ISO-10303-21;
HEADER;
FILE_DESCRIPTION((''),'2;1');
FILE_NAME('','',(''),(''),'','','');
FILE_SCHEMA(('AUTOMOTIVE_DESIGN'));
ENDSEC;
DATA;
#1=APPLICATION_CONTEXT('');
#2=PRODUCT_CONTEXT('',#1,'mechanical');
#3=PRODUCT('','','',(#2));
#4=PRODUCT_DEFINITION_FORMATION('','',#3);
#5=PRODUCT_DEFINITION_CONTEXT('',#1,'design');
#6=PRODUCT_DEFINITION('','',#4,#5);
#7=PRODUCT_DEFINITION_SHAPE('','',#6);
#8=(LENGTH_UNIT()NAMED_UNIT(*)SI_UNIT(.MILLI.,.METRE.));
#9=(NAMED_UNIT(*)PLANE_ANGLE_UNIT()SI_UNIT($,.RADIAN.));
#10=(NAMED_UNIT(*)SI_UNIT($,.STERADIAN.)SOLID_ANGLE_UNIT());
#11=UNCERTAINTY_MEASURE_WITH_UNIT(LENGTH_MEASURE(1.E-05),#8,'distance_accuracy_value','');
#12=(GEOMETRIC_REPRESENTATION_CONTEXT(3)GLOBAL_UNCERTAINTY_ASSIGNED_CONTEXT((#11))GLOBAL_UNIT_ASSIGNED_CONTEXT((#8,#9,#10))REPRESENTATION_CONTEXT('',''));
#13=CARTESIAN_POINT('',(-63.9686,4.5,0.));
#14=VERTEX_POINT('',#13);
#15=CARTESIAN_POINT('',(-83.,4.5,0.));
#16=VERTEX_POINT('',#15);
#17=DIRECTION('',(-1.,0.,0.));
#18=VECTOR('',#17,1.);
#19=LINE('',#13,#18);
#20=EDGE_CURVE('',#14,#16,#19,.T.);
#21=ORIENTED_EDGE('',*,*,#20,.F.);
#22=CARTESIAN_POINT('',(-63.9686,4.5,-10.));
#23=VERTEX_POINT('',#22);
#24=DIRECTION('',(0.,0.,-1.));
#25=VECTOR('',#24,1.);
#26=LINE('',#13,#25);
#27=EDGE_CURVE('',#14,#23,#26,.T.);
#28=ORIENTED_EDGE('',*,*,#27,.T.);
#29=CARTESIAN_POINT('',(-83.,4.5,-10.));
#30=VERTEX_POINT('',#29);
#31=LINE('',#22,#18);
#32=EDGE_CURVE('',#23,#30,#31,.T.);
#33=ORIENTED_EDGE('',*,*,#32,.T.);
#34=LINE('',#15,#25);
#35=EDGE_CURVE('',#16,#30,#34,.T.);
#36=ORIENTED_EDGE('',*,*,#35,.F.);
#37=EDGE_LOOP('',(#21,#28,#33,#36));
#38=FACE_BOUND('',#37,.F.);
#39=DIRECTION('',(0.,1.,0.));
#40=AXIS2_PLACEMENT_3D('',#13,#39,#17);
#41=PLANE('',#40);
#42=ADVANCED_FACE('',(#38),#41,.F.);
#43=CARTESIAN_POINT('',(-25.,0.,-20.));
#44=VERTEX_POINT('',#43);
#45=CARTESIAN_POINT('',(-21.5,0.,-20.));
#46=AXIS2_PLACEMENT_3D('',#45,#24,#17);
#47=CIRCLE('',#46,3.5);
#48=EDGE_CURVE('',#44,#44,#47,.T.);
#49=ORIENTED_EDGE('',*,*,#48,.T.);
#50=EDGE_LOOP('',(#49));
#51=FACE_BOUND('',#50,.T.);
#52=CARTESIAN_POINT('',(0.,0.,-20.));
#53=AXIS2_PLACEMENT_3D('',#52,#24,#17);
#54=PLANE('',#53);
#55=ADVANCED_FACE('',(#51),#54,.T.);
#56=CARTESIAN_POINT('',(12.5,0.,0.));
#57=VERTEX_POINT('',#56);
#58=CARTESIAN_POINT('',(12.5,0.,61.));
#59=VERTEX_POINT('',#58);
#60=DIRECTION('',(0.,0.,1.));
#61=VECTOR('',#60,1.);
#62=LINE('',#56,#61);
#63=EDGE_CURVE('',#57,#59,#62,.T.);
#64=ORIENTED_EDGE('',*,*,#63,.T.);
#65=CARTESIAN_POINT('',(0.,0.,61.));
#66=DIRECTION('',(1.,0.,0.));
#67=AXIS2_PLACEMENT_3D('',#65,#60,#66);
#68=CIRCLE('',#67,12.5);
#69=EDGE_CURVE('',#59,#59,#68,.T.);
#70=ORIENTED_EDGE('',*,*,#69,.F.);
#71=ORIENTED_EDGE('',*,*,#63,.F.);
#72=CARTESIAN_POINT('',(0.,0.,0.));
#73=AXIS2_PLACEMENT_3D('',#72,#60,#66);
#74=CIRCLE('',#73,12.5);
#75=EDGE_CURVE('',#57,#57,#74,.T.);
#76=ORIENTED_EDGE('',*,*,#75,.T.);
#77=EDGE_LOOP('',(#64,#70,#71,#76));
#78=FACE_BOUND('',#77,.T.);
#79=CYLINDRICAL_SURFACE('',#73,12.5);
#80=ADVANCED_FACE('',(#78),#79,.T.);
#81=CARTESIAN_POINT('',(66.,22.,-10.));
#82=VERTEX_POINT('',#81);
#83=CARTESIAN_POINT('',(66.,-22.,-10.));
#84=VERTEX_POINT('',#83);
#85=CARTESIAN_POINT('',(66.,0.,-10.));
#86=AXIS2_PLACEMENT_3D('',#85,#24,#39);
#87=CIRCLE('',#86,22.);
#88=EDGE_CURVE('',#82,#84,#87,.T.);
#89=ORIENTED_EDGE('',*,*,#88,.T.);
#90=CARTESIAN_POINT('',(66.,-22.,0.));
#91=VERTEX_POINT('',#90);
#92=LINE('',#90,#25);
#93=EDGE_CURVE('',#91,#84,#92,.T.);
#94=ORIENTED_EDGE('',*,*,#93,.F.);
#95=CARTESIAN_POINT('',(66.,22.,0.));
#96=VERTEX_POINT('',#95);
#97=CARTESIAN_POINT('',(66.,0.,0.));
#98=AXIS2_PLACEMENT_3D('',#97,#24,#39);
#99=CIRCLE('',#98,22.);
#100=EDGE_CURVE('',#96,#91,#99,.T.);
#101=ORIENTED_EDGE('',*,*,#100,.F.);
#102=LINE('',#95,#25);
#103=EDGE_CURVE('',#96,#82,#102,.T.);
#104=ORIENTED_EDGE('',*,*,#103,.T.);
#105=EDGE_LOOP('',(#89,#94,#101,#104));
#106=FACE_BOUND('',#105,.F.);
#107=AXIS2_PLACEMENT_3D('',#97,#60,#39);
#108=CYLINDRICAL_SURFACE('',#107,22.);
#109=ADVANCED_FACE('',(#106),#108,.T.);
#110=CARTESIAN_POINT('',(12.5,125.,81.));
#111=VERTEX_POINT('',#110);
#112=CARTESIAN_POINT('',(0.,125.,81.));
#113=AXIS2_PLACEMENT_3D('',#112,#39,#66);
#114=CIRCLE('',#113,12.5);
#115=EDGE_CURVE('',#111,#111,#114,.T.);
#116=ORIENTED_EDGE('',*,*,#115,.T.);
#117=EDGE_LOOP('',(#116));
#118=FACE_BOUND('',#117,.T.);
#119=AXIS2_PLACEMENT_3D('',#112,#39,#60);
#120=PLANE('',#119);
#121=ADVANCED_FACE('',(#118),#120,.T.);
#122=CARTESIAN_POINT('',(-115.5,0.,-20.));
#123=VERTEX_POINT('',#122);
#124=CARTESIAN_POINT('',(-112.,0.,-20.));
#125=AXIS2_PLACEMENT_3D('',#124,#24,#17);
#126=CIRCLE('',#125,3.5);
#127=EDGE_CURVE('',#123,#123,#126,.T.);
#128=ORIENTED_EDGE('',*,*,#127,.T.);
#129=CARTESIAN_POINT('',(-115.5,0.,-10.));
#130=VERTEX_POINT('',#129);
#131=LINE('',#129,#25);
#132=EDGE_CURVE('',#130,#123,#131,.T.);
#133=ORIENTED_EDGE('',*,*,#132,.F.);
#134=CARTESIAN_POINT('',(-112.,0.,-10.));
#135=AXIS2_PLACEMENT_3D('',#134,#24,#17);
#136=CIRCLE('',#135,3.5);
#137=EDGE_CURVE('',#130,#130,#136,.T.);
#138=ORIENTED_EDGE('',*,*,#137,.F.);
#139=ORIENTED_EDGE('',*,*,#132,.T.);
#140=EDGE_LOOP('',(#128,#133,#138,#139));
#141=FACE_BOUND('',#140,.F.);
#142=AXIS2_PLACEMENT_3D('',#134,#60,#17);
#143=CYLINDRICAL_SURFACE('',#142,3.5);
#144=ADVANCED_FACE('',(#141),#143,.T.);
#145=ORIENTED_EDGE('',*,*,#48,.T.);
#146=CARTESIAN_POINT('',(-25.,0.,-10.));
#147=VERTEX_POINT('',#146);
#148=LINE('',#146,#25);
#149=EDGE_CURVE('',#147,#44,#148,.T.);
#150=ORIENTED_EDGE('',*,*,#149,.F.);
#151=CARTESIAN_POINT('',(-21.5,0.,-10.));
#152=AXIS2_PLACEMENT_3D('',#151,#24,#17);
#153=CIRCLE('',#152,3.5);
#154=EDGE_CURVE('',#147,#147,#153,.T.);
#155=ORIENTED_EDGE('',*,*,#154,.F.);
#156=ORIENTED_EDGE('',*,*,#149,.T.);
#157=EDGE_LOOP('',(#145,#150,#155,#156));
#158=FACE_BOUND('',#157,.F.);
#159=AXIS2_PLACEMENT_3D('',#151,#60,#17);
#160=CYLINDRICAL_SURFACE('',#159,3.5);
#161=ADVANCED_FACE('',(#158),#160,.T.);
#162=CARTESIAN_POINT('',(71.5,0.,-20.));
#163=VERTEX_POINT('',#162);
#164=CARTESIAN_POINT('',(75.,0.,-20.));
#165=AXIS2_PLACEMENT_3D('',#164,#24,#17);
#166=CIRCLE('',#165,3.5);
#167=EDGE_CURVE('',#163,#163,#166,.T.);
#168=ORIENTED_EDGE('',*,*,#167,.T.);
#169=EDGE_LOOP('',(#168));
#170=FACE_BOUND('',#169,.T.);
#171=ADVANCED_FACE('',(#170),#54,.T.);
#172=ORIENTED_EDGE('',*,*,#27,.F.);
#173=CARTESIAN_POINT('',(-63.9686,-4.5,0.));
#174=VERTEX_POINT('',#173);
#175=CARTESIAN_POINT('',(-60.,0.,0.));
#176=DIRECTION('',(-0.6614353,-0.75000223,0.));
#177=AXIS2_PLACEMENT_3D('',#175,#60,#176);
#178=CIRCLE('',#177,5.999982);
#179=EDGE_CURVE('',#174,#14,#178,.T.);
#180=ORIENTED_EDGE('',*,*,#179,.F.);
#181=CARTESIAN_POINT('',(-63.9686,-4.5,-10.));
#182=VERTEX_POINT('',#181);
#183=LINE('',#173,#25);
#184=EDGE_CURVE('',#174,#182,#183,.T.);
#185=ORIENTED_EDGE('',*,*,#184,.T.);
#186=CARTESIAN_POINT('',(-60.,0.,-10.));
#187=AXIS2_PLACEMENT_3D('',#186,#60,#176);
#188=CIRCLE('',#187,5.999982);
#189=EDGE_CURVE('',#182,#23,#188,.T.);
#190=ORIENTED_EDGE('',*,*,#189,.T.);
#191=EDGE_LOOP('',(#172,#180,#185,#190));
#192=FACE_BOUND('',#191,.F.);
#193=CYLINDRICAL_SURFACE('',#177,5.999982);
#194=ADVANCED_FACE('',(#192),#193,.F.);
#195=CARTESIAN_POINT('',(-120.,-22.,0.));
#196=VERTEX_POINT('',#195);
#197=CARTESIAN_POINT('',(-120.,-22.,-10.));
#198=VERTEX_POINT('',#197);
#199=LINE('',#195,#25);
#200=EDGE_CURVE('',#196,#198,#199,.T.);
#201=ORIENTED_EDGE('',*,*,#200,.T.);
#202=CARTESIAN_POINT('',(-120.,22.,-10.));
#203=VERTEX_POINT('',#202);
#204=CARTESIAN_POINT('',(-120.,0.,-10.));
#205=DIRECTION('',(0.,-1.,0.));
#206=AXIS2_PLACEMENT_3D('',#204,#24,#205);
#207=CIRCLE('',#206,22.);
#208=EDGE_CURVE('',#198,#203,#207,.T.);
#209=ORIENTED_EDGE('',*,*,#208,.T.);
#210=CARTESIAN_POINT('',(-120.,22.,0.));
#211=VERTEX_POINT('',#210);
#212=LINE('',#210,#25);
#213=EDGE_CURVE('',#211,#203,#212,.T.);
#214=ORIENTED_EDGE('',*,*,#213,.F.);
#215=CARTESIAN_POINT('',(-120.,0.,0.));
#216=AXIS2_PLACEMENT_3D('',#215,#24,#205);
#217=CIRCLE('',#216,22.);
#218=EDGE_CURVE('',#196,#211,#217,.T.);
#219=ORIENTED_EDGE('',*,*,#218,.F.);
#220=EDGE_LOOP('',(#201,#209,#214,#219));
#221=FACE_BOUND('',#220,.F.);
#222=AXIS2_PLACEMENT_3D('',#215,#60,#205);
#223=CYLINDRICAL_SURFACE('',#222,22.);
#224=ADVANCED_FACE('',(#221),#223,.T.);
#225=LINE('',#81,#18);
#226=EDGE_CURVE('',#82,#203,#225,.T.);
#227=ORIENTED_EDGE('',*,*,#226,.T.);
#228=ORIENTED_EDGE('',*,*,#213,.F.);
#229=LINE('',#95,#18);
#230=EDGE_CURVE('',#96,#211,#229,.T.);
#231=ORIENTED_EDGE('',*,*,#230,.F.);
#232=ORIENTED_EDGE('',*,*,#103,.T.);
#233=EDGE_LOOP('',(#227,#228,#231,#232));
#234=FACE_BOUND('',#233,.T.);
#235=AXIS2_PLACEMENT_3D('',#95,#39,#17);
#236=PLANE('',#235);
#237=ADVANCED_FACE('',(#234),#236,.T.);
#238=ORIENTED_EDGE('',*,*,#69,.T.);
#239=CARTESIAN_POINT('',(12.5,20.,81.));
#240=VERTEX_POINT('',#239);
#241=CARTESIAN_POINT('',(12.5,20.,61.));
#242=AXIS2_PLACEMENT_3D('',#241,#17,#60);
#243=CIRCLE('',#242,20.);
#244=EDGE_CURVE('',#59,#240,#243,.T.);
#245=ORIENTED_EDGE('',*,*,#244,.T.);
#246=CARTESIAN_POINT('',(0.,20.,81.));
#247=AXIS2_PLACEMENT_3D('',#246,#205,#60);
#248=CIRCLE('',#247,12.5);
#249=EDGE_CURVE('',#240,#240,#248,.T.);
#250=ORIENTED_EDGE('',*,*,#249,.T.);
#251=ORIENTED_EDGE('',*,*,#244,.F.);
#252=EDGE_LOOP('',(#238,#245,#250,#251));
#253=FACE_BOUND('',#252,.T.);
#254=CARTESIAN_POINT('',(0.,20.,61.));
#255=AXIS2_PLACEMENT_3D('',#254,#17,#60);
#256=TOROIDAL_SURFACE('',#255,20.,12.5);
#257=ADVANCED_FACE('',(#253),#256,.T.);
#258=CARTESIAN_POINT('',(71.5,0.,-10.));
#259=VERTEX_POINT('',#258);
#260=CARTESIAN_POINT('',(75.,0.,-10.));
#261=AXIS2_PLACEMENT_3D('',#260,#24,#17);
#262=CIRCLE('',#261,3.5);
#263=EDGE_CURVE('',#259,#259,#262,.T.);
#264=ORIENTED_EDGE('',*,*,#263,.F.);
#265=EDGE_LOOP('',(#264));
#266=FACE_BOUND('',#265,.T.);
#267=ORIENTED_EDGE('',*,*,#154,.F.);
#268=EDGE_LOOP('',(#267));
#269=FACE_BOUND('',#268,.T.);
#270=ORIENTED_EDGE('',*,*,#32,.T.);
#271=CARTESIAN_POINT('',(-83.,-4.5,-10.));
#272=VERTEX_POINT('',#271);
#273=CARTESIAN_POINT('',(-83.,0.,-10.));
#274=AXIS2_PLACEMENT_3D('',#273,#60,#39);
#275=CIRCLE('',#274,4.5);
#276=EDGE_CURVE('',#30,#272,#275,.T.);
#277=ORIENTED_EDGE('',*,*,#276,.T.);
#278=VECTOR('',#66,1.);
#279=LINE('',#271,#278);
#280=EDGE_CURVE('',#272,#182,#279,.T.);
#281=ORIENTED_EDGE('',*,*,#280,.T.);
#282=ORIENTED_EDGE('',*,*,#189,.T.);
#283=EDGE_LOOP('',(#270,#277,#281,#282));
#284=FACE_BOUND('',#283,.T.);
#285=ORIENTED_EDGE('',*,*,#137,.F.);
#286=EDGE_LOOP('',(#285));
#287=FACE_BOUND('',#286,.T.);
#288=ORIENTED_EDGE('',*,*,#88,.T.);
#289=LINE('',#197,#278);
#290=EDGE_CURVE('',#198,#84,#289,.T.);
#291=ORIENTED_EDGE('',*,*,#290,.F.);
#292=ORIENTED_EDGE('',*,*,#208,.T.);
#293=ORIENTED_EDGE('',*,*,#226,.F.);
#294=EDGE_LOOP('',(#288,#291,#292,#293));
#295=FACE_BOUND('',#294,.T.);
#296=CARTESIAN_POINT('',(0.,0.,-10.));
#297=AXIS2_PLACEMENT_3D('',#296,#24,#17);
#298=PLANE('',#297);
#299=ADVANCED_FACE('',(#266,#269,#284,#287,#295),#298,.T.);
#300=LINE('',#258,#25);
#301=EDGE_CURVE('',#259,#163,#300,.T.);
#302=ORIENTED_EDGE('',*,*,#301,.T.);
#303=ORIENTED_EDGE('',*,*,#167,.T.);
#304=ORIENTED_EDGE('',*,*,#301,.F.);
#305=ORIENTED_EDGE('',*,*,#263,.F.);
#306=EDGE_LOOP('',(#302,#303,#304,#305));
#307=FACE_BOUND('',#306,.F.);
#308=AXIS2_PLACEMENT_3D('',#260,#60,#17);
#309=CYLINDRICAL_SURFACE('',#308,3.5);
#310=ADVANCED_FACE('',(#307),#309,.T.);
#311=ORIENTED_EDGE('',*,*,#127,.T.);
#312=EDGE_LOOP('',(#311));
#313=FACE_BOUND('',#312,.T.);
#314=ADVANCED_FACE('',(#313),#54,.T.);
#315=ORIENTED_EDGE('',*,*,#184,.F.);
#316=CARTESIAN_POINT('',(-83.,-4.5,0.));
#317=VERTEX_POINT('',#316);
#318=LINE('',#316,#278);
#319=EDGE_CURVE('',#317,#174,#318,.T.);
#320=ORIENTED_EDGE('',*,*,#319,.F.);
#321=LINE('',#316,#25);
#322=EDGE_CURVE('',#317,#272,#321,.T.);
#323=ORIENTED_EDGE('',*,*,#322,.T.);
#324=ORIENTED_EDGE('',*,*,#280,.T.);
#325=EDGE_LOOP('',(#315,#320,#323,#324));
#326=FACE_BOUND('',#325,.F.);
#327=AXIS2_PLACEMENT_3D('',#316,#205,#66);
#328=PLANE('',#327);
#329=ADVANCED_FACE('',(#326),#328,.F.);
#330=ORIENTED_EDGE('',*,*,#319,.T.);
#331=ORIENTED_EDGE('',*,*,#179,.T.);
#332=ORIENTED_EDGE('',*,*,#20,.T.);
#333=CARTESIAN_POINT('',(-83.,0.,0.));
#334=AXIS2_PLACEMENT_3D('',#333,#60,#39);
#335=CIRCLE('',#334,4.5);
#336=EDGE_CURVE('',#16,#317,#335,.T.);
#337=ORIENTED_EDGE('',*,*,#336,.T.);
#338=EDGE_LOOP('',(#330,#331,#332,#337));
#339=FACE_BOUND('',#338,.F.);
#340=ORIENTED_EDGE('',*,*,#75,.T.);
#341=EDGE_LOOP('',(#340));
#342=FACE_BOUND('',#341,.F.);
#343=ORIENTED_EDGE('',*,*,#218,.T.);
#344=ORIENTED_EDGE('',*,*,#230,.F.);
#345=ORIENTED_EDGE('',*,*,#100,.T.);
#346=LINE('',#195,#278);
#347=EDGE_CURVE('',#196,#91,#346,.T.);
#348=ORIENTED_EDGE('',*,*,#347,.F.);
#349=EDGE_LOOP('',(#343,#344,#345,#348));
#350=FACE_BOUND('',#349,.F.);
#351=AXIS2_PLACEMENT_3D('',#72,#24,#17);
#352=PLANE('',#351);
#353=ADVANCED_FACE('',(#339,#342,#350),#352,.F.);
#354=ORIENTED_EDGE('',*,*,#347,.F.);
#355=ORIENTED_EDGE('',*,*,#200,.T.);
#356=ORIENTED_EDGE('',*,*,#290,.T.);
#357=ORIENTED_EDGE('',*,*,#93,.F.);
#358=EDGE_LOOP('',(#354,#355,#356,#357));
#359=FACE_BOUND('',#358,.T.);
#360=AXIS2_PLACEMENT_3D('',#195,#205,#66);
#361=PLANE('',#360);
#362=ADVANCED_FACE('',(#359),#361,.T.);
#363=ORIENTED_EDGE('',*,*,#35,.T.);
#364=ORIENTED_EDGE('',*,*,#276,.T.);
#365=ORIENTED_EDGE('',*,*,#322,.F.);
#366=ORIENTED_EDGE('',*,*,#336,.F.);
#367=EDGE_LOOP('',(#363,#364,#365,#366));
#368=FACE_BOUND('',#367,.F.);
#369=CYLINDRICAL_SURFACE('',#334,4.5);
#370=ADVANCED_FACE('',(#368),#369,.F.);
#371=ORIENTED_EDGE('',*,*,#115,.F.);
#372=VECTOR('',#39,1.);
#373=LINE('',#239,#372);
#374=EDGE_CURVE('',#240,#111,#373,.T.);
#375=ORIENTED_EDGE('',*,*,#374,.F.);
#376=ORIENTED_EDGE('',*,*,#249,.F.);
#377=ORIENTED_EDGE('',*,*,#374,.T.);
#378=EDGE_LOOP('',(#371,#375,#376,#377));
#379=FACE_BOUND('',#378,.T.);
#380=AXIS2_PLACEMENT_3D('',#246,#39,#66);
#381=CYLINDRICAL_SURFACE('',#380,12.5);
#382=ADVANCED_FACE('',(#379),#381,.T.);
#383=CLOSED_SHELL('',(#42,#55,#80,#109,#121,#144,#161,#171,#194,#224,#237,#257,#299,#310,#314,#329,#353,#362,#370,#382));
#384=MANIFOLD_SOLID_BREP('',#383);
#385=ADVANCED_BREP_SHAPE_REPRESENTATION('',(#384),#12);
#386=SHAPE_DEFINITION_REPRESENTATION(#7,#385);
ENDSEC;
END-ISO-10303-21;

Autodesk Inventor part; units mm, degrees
ref_plane "YZ Plane" through (0, 0, 0) normal (1, 0, 0) x (0, 1, 0)
ref_plane "XZ Plane" through (0, 0, 0) normal (0, 1, 0) x (-1, 0, 0)
sketch "Sketch1" plane through (0, 0, 0) normal (0, 0, 1) x (1, 0, 0)
  circle A0 centre (0, 0) radius 12.5
  dimension "d0" = 25
sketch "Sketch2" plane through (0, 0, 0) normal (1, 0, 0) x (0, 1, 0)
  line L0 (0, 0) -> (0, 61)
  arc A0 (20, 81) -> (0, 61) centre (20, 61) ccw
  line L1 (20, 81) -> (125, 81)
  dimension "d1" = 61
  dimension "d30" = 105
  dimension "d31" = 20
ref_plane "Work Plane1" through (0, 0, 61) normal (0, 0, 1) x (1, 0, 0)
sweep "Sweep2" add profiles "Sketch1" path "Sketch2"
sketch "Sketch4" plane through (0, 0, 0) normal (0, 0, -1) x (-1, 0, 0)
  line L0 (-66, 0) -> (120, 0) construction
  line L1 (-66, 22) -> (120, 22)
  line L2 (120, -22) -> (-66, -22)
  arc A0 (-66, 22) -> (-66, -22) centre (-66, 0) ccw
  arc A1 (120, -22) -> (120, 22) centre (120, 0) ccw
  circle A2 centre (0, 0) radius 12.5 projected
  point P0 (27, 0)
  point P1 (27, 0)
  point P2 (142, 0)
  point P3 (-88, 0)
  dimension "d10" = 44
  dimension "d12" = 88
  dimension "d13" = 230
extrude "Extrusion1" add sketch "Sketch4" along normal blind 10 contours L1 A1 L2 A0 | A2
sketch "Sketch5" plane through (0, 0, -10) normal (0, 0, -1) x (-1, 0, 0)
  circle A0 centre (-75, 0) radius 3.5
  circle A1 centre (21.5, 0) radius 3.5
  circle A2 centre (112, 0) radius 3.5
  circle A3 centre (0, 0) radius 12.5 projected
  dimension "d16" = 7
  dimension "d17" = 21.5
  dimension "d18" = 75
  dimension "d19" = 90.5
extrude "Extrusion2" add sketch "Sketch5" along normal blind 10 contours A0 | A1 | A2
sketch "Sketch6" plane through (0, 0, 0) normal (0, 0, 1) x (1, 0, 0)
  arc A0 (-63.9686, -4.5) -> (-63.9686, 4.5) centre (-60, 0) ccw
  circle A1 centre (0, 0) radius 12.5 projected
  line L0 (-63.9686, 4.5) -> (-83, 4.5)
  arc A2 (-83, 4.5) -> (-83, -4.5) centre (-83, 0) ccw
  line L1 (-83, -4.5) -> (-63.9686, -4.5)
  arc A3 (-120, 22) -> (-120, -22) centre (-120, 0) ccw projected
  point P0 (-142, 0)
  dimension "d22" = 12
  dimension "d23" = 60
  dimension "d24" = 4.5
  dimension "d25" = 23
extrude "Extrusion3" cut sketch "Sketch6" against normal blind 10 contours L1 A2 L0 A0
properties part number "garnitur_lang"
